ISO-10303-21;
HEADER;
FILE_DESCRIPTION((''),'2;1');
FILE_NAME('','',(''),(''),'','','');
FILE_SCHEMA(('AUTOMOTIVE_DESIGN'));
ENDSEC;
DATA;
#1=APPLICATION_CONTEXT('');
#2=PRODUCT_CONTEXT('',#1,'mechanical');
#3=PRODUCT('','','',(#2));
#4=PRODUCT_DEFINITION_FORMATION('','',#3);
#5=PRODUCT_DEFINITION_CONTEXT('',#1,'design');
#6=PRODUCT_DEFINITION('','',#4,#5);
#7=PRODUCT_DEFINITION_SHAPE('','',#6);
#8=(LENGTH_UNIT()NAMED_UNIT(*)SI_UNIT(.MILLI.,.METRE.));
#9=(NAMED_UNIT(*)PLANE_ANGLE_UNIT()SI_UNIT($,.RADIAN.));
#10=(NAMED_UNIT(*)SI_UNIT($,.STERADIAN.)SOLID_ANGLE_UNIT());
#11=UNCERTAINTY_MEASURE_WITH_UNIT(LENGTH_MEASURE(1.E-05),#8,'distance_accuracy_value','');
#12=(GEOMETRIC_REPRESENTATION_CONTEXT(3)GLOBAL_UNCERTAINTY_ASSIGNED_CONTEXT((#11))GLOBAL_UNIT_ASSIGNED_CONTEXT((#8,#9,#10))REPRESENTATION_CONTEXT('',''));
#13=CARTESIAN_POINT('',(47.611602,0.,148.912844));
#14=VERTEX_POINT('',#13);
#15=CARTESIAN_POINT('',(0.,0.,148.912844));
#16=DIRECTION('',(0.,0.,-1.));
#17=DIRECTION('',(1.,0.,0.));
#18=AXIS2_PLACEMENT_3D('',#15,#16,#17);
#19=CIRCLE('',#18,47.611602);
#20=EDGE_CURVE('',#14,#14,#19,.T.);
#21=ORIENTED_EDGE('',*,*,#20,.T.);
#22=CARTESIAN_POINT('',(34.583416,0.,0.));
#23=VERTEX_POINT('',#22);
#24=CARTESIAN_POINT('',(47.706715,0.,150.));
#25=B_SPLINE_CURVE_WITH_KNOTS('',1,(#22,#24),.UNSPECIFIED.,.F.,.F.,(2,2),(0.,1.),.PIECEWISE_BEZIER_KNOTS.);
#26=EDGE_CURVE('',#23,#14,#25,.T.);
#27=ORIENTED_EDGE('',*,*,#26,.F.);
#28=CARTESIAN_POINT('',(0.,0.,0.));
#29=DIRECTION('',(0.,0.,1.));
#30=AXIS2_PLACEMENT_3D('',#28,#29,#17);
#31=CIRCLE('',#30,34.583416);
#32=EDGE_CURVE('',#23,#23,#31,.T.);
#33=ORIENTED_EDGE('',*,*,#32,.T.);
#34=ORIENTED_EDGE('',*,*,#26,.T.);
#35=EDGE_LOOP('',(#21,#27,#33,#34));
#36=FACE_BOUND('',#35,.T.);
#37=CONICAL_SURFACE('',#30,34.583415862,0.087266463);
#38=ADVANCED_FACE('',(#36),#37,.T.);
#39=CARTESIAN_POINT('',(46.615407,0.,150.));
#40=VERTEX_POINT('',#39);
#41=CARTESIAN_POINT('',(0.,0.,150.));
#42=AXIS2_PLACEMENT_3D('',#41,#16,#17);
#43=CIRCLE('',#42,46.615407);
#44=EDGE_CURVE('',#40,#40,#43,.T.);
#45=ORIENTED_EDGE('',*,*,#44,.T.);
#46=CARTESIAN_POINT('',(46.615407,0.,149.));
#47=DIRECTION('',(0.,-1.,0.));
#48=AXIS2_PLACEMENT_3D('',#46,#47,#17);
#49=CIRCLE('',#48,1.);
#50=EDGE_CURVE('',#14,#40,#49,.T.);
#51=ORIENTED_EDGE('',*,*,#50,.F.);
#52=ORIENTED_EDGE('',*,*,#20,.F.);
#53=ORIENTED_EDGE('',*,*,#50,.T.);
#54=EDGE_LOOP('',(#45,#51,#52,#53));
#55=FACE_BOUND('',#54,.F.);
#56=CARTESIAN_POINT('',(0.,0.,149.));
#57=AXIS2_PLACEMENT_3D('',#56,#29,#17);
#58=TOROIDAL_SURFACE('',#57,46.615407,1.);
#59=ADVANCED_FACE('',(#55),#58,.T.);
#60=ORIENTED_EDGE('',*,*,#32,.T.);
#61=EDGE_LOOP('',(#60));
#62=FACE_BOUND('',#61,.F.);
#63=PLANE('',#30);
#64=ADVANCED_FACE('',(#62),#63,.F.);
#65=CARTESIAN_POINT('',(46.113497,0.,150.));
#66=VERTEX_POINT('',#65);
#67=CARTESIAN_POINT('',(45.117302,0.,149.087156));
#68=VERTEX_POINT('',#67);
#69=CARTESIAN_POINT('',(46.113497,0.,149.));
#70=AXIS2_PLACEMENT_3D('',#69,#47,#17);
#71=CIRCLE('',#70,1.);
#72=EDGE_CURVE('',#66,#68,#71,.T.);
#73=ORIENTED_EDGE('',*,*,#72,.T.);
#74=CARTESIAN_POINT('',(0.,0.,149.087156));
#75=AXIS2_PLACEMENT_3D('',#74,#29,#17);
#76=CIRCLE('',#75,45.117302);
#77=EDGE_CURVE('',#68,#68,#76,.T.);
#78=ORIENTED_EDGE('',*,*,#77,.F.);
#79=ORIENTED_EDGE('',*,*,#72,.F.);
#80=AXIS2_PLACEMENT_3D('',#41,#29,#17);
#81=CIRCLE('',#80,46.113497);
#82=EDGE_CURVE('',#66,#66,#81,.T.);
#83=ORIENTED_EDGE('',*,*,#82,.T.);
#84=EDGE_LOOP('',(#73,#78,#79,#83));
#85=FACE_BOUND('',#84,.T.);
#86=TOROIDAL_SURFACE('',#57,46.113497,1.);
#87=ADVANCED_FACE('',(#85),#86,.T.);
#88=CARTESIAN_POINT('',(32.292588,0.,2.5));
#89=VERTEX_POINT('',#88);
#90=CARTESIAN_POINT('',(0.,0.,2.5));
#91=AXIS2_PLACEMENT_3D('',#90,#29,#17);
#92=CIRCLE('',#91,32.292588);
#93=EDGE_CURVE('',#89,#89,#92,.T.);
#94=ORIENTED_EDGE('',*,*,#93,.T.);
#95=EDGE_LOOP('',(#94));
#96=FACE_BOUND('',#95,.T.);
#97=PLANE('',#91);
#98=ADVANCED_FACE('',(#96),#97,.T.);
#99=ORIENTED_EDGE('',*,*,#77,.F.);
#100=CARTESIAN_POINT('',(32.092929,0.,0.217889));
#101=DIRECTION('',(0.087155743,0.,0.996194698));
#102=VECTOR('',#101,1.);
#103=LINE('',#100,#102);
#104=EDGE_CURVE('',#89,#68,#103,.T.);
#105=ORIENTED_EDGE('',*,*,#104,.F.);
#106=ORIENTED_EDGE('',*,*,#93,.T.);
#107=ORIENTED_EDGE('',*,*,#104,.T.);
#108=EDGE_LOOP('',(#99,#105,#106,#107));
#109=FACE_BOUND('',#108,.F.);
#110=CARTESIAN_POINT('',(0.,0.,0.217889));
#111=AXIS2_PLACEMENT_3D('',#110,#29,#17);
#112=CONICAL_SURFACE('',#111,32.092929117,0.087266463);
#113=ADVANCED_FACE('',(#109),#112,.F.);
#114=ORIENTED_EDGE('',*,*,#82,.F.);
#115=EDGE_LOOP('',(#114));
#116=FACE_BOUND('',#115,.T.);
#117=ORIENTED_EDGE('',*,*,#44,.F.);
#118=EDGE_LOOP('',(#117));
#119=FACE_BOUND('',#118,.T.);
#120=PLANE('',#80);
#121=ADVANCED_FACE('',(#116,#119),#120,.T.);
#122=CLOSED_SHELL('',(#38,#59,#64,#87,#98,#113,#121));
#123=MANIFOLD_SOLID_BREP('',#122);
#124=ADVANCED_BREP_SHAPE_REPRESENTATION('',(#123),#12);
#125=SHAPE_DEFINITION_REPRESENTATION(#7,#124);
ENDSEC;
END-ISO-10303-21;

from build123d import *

# Parameters (mm, degrees)
F0_R     = 34.5834158621
F1_DEPTH = 150
F1_TAPER = -5
F2_T     = -2.5
F3_R     = 1


with BuildPart() as f1:
    # F0 (on Top) → F1 (new body)
    with BuildSketch(Plane.XY):
        Circle(F0_R)
    extrude(amount=F1_DEPTH, taper=F1_TAPER)

    # F2
    f2_openings = [f1.faces().sort_by_distance(p)[0] for p in [
        (0, 0, 150),
    ]]
    offset(amount=F2_T, openings=f2_openings, kind=Kind.INTERSECTION)

    # F3
    f3_edges = [f1.edges().sort_by_distance(p)[0] for p in [
        (-47.706715, 0, 150),
        (-45.197166, 0, 150),
    ]]
    fillet(f3_edges, radius=F3_R)


solid = f1.part
